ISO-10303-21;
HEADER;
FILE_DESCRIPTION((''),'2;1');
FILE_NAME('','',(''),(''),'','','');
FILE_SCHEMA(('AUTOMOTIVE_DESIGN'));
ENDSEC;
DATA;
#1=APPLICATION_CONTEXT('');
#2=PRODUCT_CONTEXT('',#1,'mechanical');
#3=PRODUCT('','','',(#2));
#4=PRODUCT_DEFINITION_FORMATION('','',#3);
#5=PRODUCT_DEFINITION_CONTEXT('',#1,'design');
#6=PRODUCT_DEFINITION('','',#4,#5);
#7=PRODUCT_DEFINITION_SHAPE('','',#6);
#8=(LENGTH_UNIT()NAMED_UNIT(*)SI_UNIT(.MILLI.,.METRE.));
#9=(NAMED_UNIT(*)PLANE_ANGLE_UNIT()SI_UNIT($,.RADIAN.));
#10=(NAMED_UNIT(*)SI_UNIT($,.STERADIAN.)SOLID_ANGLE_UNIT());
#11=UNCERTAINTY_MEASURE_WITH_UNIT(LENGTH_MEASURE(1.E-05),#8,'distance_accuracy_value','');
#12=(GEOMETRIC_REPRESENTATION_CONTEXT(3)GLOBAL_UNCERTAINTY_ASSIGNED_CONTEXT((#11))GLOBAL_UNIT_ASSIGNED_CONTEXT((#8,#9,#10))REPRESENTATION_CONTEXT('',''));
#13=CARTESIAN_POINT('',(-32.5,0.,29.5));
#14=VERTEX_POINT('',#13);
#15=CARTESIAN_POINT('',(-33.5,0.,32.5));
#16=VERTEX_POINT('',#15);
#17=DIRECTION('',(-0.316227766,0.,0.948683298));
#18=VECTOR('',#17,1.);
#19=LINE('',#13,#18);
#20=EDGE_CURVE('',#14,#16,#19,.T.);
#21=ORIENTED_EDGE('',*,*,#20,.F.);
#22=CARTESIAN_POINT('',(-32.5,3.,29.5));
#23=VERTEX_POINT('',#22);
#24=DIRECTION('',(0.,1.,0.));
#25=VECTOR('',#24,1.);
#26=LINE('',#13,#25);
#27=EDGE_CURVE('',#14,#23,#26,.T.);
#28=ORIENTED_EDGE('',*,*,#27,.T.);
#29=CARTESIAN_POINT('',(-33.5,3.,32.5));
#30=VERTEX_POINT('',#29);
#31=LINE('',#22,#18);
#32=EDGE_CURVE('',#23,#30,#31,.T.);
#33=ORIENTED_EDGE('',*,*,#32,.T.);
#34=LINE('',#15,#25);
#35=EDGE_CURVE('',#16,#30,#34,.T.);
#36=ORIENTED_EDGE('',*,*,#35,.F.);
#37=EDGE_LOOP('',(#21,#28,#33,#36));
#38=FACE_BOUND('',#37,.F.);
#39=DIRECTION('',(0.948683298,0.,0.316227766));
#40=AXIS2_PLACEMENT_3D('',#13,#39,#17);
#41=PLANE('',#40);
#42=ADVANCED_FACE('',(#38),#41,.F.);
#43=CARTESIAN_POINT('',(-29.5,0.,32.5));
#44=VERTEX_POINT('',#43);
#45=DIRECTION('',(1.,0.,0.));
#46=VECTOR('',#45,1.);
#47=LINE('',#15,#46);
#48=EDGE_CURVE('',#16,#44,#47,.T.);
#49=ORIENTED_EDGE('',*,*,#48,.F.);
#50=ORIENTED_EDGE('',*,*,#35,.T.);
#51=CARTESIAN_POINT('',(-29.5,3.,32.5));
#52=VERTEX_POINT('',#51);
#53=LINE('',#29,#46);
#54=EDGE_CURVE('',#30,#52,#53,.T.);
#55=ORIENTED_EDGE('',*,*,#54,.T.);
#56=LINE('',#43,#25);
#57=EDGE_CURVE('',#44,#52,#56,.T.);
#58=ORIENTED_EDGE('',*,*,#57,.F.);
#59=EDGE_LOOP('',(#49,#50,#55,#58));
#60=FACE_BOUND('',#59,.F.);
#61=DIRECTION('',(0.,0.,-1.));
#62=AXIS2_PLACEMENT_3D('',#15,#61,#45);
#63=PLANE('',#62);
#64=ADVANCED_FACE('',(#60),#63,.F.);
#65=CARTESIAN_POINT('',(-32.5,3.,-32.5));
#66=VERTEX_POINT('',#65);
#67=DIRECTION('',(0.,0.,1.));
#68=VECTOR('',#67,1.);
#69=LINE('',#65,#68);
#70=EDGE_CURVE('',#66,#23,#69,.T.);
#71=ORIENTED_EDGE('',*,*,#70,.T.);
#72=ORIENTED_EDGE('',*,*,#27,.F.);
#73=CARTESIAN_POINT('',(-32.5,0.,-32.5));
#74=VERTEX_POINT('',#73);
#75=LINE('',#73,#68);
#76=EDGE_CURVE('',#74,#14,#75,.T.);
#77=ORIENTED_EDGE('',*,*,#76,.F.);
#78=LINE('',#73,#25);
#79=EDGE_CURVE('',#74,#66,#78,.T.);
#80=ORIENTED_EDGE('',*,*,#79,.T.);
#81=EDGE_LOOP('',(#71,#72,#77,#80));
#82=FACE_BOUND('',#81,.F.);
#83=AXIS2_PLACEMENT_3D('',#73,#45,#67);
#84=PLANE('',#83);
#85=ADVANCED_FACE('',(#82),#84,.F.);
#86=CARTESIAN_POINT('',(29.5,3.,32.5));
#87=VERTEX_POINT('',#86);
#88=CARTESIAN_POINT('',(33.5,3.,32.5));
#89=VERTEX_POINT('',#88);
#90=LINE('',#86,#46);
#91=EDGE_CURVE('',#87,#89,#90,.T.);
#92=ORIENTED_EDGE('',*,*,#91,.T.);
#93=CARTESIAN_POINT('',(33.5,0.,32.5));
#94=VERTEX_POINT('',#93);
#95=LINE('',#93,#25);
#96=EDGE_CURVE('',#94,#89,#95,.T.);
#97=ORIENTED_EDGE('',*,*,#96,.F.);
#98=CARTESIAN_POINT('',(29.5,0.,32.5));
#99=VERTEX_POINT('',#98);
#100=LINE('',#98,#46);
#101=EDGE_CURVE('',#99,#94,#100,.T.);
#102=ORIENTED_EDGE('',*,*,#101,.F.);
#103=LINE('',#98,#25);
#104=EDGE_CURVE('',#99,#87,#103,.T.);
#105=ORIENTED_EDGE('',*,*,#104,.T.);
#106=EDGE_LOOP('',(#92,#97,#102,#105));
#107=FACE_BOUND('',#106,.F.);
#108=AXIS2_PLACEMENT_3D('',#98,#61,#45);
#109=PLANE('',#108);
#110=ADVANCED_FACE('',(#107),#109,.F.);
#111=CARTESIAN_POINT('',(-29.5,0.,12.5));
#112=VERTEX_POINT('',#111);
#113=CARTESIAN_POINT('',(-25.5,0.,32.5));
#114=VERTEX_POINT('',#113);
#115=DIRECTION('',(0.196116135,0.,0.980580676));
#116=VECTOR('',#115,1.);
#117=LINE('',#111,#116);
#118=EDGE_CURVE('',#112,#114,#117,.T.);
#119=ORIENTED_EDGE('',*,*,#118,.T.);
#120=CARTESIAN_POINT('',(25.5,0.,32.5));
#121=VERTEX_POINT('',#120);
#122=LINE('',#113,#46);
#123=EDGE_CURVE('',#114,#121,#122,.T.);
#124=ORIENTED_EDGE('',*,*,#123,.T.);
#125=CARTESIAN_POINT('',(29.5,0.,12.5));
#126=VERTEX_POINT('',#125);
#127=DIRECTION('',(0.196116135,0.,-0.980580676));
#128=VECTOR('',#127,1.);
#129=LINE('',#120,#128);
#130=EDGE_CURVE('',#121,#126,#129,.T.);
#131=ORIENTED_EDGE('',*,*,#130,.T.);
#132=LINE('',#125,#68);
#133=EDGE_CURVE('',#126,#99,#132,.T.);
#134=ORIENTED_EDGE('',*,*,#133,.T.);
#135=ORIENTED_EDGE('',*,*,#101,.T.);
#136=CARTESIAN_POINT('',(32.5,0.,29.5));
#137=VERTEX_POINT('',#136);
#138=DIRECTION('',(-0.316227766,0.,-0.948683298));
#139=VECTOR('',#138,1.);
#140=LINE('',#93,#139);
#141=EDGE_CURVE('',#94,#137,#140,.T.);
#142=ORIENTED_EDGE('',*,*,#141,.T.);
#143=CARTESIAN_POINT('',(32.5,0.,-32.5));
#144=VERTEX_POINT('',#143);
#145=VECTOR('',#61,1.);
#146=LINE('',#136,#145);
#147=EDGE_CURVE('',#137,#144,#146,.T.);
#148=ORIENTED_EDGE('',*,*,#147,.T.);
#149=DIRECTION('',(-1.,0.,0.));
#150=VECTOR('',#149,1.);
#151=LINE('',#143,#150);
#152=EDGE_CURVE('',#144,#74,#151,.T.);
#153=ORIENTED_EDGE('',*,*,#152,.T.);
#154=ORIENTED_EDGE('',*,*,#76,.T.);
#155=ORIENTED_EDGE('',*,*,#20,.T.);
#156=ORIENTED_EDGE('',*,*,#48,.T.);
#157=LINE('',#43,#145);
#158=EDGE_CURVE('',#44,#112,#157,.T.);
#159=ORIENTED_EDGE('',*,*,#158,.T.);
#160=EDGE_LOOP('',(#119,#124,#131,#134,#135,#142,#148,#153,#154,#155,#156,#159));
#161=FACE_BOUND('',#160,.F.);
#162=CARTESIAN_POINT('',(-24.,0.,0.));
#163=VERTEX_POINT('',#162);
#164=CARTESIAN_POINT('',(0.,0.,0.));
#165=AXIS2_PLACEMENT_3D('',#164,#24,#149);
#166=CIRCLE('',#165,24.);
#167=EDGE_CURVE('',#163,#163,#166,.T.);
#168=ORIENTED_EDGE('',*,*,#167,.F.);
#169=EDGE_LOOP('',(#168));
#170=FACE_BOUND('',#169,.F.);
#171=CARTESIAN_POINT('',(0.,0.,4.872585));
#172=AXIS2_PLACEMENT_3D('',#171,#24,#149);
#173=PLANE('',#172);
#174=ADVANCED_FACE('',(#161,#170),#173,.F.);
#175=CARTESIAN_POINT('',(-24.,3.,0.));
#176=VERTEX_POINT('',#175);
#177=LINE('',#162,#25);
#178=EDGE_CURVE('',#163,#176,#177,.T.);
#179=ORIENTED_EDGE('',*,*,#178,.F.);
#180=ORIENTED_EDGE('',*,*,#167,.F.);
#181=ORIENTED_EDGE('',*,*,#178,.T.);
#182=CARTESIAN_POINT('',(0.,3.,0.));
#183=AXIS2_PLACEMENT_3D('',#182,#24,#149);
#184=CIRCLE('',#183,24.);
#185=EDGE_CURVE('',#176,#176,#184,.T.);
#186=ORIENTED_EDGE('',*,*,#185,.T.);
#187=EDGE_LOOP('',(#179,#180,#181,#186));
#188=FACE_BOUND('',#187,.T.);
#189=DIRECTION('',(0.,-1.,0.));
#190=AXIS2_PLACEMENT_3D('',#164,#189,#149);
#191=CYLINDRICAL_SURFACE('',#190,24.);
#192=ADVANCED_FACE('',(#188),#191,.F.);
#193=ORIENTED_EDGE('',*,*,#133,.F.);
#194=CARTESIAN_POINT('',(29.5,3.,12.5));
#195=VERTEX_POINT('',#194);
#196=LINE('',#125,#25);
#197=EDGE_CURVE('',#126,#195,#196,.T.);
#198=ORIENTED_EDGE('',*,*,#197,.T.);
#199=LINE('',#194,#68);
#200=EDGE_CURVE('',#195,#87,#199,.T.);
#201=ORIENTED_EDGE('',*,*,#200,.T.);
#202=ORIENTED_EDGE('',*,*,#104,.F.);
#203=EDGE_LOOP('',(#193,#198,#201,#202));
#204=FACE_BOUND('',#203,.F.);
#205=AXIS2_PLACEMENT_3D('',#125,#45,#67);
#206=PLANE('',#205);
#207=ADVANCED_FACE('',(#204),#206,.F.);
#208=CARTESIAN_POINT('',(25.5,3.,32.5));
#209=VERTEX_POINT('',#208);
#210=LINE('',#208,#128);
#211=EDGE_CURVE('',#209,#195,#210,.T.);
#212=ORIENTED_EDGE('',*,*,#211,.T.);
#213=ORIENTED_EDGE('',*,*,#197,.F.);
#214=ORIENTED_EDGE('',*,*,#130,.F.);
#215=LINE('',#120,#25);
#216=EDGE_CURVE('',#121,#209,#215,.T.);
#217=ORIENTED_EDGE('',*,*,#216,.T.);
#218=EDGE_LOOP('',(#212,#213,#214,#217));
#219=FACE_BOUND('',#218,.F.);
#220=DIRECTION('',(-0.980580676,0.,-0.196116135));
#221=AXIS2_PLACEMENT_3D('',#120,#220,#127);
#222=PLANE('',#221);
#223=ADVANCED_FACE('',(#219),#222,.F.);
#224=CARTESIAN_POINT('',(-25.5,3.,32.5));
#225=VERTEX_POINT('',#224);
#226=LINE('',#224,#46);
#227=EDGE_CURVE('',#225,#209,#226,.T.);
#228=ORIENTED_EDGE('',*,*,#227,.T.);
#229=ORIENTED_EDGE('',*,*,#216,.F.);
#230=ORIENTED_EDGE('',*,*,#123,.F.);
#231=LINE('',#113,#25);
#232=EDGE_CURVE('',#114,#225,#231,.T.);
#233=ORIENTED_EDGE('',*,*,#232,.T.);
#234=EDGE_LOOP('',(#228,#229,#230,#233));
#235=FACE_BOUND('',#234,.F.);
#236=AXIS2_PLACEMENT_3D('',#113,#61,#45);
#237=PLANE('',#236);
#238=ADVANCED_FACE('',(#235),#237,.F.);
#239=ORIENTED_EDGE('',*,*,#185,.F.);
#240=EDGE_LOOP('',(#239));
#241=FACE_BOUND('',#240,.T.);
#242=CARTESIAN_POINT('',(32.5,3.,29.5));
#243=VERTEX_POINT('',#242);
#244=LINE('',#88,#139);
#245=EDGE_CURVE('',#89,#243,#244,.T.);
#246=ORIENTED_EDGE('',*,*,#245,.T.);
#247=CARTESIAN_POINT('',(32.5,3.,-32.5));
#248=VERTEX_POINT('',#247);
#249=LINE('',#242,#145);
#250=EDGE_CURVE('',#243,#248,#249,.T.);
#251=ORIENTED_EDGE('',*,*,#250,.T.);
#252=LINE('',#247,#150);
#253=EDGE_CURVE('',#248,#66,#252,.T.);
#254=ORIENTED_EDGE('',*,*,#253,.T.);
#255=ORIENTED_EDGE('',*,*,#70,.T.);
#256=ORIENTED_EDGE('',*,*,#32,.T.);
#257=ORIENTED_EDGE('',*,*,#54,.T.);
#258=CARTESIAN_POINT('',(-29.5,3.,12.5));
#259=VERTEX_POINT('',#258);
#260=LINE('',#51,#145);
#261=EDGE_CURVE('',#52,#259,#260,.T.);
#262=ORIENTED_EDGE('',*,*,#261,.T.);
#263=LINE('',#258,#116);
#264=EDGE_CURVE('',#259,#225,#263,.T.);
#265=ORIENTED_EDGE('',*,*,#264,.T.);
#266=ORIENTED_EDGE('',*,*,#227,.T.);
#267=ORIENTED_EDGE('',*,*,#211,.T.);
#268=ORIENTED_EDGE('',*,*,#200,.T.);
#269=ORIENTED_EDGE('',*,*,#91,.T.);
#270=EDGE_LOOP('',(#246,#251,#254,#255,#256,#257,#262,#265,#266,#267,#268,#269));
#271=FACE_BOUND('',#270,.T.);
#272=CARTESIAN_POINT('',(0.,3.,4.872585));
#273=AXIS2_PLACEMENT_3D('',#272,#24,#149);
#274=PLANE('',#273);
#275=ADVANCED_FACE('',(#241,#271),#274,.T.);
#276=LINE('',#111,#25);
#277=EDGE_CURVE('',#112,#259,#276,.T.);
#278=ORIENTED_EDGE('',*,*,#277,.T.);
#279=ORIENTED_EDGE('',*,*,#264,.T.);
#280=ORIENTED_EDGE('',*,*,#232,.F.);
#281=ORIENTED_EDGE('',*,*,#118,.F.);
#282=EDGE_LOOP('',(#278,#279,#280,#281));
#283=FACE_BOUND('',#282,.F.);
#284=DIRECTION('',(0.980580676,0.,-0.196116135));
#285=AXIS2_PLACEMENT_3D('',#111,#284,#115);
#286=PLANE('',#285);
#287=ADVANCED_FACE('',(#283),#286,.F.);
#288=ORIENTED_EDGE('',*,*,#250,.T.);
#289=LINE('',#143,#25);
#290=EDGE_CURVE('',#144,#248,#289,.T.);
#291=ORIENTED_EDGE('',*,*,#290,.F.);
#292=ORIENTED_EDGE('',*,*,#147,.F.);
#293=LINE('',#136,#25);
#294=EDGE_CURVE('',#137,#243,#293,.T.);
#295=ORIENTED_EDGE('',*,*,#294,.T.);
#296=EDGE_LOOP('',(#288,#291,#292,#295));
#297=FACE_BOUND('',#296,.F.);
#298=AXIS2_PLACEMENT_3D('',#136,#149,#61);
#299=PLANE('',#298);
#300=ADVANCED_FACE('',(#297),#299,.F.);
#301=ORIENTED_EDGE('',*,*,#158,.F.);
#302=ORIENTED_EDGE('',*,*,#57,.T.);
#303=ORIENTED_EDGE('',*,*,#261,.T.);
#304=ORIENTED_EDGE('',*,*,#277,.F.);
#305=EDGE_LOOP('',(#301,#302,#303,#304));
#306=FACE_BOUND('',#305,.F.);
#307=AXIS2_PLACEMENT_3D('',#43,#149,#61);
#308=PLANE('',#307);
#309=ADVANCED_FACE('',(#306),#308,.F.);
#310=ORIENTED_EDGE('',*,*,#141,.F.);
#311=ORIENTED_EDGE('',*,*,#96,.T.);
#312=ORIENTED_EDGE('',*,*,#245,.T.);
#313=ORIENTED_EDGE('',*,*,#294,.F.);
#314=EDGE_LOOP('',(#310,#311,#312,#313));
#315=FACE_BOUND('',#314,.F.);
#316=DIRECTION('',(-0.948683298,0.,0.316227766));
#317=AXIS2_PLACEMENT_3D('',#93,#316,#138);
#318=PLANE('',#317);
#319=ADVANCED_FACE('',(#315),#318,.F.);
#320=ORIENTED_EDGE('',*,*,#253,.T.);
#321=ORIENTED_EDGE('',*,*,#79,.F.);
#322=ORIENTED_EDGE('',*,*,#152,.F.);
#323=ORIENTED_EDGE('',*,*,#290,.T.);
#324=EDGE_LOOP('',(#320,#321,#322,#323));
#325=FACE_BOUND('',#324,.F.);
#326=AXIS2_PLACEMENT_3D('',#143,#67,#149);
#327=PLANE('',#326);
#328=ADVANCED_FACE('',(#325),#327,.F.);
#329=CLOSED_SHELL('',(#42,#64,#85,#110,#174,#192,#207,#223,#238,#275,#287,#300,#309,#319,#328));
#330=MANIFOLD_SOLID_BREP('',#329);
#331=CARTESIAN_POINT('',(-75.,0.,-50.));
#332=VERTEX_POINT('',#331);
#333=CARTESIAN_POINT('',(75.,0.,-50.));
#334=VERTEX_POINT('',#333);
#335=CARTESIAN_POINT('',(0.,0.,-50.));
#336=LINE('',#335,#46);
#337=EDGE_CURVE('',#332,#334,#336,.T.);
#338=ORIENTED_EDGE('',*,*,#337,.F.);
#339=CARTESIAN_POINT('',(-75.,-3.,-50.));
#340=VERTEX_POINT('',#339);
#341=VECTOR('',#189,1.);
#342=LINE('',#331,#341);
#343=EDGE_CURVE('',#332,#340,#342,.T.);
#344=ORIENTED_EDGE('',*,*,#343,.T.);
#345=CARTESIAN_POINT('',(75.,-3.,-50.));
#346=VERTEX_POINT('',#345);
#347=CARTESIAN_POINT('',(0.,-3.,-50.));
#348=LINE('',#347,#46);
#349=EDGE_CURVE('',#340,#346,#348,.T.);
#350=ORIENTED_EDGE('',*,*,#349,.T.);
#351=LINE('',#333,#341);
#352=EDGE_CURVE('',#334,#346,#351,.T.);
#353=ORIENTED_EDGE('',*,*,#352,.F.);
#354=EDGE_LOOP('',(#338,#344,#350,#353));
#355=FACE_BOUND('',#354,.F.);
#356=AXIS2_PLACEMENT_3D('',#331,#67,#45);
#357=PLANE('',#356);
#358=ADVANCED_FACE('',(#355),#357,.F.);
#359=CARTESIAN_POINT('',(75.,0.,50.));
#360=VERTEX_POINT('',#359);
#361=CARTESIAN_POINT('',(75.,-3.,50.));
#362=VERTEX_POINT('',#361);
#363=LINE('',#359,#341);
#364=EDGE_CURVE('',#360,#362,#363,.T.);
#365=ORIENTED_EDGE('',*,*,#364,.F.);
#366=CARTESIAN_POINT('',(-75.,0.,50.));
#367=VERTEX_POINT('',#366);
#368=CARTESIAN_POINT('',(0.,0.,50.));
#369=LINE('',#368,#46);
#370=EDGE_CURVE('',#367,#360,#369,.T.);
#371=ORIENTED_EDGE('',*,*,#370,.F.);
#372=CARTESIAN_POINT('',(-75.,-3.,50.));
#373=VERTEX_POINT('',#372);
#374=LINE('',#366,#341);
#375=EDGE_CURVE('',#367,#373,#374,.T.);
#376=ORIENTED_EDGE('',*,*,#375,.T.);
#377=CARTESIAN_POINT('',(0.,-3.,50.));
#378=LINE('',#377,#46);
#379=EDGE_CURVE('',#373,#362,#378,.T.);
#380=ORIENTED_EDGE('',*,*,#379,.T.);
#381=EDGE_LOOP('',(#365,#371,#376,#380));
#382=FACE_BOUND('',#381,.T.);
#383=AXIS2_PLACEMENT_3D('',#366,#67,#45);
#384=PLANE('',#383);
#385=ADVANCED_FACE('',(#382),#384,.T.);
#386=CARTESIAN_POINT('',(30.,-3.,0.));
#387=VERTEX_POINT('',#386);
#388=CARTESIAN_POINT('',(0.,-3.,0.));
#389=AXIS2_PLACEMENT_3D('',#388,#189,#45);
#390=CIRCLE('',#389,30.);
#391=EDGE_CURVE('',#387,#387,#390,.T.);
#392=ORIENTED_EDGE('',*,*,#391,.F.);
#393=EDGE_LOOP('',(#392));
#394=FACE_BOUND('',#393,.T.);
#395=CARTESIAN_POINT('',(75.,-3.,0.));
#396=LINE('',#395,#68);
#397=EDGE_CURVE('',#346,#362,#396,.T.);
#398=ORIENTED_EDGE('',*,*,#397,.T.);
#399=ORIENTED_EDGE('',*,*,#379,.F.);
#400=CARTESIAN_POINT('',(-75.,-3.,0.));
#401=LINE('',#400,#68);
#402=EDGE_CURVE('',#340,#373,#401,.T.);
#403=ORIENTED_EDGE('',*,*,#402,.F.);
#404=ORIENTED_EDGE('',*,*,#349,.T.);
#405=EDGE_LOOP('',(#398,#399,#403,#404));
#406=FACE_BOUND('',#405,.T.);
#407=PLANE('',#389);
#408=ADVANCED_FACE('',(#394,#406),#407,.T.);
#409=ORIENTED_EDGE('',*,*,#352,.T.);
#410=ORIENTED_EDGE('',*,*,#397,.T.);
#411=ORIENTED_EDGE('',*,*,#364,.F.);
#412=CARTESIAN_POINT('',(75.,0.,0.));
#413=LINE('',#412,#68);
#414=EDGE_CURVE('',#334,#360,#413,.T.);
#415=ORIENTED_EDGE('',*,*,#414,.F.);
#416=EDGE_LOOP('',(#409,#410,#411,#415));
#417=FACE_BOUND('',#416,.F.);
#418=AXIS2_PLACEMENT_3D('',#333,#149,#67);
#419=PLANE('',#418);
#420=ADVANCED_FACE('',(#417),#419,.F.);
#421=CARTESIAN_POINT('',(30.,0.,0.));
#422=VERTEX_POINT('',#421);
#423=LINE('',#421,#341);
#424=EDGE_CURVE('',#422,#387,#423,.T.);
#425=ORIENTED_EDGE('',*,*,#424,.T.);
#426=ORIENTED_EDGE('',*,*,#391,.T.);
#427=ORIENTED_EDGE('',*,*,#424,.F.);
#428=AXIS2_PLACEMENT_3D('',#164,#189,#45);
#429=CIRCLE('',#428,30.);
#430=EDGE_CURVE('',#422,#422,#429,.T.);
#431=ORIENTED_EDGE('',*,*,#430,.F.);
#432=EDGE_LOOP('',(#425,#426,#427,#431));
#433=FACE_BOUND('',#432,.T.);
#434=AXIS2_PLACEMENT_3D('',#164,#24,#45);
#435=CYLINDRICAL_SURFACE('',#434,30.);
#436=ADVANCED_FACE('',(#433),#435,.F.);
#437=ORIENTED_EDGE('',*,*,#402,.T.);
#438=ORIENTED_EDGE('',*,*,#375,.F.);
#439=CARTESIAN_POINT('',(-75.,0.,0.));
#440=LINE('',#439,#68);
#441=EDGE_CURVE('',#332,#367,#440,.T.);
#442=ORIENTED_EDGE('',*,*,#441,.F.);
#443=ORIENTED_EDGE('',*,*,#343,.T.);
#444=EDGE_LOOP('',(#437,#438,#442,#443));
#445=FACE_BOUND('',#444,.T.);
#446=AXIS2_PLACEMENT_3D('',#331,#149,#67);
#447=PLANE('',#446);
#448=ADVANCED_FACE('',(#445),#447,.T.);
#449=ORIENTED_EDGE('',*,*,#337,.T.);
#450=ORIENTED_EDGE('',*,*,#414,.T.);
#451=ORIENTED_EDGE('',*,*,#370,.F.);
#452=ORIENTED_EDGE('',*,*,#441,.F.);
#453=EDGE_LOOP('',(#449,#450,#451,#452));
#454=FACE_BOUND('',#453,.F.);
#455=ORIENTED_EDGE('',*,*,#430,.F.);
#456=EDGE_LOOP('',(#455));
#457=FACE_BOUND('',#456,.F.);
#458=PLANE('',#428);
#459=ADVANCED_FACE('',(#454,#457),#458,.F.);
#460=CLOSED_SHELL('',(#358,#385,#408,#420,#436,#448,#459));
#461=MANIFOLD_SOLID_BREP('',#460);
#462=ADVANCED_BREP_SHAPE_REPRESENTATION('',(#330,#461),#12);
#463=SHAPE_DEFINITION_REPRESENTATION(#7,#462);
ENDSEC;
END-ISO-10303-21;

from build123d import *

# Parameters (mm, degrees)
F0_W     = 150
F0_H     = 100
F0_R     = 30
F1_DEPTH = 3
F2_R     = 30
F2_R_2   = 24
F3_DEPTH = 3


with BuildPart() as f1:
    # F0 (on Front) → F1 (new body)
    with BuildSketch(Plane.XZ):
        Rectangle(F0_W, F0_H)
        Circle(F0_R, mode=Mode.SUBTRACT)
    extrude(amount=F1_DEPTH)


with BuildPart() as f3:
    # F2 (on face) → F3 (new body)
    with BuildSketch(Plane(origin=(0, 0, 0), x_dir=(-1, 0, 0), z_dir=(0, 1, 0))):
        Polygon((-29.5, 32.5), (-32.5, 32.5), (-33.5, 32.5), (-32.5, 29.5), (-32.5, -32.5), (-29.5, -32.5), (-25.5, -32.5), (32.5, -32.5), (32.5, 29.5), (33.5, 32.5), (32.5, 32.5), (29.5, 32.5), (29.5, 12.5), (25.5, 32.5), (-25.5, 32.5), (-29.5, 12.5), align=None)
        Circle(F2_R, mode=Mode.SUBTRACT)
        Circle(F2_R)
        Circle(F2_R_2, mode=Mode.SUBTRACT)
    extrude(amount=F3_DEPTH)


solid = Compound([f1.part, f3.part])
